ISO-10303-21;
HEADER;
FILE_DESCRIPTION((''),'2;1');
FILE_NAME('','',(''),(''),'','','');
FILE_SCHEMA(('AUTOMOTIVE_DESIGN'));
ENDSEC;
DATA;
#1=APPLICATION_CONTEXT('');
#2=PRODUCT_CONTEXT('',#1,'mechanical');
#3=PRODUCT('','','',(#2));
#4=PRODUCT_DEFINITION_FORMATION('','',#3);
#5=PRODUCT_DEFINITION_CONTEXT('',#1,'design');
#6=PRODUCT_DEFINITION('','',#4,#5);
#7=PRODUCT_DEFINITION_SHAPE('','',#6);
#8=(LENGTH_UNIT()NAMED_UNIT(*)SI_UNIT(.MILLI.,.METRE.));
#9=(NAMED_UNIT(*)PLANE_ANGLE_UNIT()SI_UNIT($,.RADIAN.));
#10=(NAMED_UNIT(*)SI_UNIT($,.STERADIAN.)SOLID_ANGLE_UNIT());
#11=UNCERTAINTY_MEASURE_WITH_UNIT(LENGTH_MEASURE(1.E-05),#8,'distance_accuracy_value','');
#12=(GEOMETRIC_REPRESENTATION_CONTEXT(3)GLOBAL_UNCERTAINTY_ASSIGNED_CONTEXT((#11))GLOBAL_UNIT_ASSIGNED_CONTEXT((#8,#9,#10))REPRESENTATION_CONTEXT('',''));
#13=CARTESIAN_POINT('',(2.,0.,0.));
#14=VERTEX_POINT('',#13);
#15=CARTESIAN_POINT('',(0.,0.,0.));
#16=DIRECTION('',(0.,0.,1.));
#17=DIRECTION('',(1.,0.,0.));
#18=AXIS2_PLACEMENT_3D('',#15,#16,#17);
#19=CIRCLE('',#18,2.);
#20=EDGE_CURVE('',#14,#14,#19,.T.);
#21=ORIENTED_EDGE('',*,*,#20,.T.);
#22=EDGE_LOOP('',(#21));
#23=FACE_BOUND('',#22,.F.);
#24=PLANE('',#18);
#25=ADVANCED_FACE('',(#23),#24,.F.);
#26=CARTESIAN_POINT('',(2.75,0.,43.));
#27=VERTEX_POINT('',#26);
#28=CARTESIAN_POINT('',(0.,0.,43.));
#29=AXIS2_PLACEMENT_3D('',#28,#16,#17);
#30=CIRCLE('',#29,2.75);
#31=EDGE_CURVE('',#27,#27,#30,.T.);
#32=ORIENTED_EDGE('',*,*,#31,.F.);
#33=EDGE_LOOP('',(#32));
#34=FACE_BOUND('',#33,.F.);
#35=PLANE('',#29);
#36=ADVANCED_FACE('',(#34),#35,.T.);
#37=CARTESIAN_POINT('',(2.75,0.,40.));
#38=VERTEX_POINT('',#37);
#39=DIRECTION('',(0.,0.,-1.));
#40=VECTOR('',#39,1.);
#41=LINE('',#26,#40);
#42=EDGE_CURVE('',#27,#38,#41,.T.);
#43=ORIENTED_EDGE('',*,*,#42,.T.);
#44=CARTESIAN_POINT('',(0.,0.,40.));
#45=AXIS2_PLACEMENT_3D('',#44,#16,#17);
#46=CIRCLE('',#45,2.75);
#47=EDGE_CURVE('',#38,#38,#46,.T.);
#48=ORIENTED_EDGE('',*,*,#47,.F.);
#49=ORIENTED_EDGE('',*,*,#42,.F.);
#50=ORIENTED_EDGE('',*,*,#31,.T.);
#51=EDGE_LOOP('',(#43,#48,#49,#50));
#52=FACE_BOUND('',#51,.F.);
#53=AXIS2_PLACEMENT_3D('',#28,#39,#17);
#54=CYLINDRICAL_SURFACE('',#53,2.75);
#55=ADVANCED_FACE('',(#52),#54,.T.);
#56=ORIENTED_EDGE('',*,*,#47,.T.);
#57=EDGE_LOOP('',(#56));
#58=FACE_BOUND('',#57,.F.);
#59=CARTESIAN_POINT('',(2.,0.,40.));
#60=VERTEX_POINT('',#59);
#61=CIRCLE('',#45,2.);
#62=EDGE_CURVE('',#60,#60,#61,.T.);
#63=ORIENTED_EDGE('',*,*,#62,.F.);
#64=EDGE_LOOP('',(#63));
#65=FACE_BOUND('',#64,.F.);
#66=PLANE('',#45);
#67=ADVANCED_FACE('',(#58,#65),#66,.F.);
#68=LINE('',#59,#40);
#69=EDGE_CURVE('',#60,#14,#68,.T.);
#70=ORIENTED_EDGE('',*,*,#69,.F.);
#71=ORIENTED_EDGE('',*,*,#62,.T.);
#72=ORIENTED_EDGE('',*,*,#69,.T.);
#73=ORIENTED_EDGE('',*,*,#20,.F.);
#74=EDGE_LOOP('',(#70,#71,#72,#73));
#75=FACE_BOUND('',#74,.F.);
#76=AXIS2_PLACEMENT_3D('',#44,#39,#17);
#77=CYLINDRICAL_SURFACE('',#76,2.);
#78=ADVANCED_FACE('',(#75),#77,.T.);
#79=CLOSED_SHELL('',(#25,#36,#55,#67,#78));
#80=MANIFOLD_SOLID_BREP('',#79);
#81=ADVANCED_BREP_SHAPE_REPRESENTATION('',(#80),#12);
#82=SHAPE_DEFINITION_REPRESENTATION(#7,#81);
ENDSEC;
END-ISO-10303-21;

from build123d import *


with BuildPart() as part:
    # Sketch → Revolution (revolve)
    with BuildSketch(Plane.XZ):
        Polygon((0, 0), (0, 43), (2.75, 43), (2.75, 40), (2, 40), (2, 0), align=None)
    revolve(axis=Axis((0, 0, 0), (0, 0, 1)))


solid = part.part
